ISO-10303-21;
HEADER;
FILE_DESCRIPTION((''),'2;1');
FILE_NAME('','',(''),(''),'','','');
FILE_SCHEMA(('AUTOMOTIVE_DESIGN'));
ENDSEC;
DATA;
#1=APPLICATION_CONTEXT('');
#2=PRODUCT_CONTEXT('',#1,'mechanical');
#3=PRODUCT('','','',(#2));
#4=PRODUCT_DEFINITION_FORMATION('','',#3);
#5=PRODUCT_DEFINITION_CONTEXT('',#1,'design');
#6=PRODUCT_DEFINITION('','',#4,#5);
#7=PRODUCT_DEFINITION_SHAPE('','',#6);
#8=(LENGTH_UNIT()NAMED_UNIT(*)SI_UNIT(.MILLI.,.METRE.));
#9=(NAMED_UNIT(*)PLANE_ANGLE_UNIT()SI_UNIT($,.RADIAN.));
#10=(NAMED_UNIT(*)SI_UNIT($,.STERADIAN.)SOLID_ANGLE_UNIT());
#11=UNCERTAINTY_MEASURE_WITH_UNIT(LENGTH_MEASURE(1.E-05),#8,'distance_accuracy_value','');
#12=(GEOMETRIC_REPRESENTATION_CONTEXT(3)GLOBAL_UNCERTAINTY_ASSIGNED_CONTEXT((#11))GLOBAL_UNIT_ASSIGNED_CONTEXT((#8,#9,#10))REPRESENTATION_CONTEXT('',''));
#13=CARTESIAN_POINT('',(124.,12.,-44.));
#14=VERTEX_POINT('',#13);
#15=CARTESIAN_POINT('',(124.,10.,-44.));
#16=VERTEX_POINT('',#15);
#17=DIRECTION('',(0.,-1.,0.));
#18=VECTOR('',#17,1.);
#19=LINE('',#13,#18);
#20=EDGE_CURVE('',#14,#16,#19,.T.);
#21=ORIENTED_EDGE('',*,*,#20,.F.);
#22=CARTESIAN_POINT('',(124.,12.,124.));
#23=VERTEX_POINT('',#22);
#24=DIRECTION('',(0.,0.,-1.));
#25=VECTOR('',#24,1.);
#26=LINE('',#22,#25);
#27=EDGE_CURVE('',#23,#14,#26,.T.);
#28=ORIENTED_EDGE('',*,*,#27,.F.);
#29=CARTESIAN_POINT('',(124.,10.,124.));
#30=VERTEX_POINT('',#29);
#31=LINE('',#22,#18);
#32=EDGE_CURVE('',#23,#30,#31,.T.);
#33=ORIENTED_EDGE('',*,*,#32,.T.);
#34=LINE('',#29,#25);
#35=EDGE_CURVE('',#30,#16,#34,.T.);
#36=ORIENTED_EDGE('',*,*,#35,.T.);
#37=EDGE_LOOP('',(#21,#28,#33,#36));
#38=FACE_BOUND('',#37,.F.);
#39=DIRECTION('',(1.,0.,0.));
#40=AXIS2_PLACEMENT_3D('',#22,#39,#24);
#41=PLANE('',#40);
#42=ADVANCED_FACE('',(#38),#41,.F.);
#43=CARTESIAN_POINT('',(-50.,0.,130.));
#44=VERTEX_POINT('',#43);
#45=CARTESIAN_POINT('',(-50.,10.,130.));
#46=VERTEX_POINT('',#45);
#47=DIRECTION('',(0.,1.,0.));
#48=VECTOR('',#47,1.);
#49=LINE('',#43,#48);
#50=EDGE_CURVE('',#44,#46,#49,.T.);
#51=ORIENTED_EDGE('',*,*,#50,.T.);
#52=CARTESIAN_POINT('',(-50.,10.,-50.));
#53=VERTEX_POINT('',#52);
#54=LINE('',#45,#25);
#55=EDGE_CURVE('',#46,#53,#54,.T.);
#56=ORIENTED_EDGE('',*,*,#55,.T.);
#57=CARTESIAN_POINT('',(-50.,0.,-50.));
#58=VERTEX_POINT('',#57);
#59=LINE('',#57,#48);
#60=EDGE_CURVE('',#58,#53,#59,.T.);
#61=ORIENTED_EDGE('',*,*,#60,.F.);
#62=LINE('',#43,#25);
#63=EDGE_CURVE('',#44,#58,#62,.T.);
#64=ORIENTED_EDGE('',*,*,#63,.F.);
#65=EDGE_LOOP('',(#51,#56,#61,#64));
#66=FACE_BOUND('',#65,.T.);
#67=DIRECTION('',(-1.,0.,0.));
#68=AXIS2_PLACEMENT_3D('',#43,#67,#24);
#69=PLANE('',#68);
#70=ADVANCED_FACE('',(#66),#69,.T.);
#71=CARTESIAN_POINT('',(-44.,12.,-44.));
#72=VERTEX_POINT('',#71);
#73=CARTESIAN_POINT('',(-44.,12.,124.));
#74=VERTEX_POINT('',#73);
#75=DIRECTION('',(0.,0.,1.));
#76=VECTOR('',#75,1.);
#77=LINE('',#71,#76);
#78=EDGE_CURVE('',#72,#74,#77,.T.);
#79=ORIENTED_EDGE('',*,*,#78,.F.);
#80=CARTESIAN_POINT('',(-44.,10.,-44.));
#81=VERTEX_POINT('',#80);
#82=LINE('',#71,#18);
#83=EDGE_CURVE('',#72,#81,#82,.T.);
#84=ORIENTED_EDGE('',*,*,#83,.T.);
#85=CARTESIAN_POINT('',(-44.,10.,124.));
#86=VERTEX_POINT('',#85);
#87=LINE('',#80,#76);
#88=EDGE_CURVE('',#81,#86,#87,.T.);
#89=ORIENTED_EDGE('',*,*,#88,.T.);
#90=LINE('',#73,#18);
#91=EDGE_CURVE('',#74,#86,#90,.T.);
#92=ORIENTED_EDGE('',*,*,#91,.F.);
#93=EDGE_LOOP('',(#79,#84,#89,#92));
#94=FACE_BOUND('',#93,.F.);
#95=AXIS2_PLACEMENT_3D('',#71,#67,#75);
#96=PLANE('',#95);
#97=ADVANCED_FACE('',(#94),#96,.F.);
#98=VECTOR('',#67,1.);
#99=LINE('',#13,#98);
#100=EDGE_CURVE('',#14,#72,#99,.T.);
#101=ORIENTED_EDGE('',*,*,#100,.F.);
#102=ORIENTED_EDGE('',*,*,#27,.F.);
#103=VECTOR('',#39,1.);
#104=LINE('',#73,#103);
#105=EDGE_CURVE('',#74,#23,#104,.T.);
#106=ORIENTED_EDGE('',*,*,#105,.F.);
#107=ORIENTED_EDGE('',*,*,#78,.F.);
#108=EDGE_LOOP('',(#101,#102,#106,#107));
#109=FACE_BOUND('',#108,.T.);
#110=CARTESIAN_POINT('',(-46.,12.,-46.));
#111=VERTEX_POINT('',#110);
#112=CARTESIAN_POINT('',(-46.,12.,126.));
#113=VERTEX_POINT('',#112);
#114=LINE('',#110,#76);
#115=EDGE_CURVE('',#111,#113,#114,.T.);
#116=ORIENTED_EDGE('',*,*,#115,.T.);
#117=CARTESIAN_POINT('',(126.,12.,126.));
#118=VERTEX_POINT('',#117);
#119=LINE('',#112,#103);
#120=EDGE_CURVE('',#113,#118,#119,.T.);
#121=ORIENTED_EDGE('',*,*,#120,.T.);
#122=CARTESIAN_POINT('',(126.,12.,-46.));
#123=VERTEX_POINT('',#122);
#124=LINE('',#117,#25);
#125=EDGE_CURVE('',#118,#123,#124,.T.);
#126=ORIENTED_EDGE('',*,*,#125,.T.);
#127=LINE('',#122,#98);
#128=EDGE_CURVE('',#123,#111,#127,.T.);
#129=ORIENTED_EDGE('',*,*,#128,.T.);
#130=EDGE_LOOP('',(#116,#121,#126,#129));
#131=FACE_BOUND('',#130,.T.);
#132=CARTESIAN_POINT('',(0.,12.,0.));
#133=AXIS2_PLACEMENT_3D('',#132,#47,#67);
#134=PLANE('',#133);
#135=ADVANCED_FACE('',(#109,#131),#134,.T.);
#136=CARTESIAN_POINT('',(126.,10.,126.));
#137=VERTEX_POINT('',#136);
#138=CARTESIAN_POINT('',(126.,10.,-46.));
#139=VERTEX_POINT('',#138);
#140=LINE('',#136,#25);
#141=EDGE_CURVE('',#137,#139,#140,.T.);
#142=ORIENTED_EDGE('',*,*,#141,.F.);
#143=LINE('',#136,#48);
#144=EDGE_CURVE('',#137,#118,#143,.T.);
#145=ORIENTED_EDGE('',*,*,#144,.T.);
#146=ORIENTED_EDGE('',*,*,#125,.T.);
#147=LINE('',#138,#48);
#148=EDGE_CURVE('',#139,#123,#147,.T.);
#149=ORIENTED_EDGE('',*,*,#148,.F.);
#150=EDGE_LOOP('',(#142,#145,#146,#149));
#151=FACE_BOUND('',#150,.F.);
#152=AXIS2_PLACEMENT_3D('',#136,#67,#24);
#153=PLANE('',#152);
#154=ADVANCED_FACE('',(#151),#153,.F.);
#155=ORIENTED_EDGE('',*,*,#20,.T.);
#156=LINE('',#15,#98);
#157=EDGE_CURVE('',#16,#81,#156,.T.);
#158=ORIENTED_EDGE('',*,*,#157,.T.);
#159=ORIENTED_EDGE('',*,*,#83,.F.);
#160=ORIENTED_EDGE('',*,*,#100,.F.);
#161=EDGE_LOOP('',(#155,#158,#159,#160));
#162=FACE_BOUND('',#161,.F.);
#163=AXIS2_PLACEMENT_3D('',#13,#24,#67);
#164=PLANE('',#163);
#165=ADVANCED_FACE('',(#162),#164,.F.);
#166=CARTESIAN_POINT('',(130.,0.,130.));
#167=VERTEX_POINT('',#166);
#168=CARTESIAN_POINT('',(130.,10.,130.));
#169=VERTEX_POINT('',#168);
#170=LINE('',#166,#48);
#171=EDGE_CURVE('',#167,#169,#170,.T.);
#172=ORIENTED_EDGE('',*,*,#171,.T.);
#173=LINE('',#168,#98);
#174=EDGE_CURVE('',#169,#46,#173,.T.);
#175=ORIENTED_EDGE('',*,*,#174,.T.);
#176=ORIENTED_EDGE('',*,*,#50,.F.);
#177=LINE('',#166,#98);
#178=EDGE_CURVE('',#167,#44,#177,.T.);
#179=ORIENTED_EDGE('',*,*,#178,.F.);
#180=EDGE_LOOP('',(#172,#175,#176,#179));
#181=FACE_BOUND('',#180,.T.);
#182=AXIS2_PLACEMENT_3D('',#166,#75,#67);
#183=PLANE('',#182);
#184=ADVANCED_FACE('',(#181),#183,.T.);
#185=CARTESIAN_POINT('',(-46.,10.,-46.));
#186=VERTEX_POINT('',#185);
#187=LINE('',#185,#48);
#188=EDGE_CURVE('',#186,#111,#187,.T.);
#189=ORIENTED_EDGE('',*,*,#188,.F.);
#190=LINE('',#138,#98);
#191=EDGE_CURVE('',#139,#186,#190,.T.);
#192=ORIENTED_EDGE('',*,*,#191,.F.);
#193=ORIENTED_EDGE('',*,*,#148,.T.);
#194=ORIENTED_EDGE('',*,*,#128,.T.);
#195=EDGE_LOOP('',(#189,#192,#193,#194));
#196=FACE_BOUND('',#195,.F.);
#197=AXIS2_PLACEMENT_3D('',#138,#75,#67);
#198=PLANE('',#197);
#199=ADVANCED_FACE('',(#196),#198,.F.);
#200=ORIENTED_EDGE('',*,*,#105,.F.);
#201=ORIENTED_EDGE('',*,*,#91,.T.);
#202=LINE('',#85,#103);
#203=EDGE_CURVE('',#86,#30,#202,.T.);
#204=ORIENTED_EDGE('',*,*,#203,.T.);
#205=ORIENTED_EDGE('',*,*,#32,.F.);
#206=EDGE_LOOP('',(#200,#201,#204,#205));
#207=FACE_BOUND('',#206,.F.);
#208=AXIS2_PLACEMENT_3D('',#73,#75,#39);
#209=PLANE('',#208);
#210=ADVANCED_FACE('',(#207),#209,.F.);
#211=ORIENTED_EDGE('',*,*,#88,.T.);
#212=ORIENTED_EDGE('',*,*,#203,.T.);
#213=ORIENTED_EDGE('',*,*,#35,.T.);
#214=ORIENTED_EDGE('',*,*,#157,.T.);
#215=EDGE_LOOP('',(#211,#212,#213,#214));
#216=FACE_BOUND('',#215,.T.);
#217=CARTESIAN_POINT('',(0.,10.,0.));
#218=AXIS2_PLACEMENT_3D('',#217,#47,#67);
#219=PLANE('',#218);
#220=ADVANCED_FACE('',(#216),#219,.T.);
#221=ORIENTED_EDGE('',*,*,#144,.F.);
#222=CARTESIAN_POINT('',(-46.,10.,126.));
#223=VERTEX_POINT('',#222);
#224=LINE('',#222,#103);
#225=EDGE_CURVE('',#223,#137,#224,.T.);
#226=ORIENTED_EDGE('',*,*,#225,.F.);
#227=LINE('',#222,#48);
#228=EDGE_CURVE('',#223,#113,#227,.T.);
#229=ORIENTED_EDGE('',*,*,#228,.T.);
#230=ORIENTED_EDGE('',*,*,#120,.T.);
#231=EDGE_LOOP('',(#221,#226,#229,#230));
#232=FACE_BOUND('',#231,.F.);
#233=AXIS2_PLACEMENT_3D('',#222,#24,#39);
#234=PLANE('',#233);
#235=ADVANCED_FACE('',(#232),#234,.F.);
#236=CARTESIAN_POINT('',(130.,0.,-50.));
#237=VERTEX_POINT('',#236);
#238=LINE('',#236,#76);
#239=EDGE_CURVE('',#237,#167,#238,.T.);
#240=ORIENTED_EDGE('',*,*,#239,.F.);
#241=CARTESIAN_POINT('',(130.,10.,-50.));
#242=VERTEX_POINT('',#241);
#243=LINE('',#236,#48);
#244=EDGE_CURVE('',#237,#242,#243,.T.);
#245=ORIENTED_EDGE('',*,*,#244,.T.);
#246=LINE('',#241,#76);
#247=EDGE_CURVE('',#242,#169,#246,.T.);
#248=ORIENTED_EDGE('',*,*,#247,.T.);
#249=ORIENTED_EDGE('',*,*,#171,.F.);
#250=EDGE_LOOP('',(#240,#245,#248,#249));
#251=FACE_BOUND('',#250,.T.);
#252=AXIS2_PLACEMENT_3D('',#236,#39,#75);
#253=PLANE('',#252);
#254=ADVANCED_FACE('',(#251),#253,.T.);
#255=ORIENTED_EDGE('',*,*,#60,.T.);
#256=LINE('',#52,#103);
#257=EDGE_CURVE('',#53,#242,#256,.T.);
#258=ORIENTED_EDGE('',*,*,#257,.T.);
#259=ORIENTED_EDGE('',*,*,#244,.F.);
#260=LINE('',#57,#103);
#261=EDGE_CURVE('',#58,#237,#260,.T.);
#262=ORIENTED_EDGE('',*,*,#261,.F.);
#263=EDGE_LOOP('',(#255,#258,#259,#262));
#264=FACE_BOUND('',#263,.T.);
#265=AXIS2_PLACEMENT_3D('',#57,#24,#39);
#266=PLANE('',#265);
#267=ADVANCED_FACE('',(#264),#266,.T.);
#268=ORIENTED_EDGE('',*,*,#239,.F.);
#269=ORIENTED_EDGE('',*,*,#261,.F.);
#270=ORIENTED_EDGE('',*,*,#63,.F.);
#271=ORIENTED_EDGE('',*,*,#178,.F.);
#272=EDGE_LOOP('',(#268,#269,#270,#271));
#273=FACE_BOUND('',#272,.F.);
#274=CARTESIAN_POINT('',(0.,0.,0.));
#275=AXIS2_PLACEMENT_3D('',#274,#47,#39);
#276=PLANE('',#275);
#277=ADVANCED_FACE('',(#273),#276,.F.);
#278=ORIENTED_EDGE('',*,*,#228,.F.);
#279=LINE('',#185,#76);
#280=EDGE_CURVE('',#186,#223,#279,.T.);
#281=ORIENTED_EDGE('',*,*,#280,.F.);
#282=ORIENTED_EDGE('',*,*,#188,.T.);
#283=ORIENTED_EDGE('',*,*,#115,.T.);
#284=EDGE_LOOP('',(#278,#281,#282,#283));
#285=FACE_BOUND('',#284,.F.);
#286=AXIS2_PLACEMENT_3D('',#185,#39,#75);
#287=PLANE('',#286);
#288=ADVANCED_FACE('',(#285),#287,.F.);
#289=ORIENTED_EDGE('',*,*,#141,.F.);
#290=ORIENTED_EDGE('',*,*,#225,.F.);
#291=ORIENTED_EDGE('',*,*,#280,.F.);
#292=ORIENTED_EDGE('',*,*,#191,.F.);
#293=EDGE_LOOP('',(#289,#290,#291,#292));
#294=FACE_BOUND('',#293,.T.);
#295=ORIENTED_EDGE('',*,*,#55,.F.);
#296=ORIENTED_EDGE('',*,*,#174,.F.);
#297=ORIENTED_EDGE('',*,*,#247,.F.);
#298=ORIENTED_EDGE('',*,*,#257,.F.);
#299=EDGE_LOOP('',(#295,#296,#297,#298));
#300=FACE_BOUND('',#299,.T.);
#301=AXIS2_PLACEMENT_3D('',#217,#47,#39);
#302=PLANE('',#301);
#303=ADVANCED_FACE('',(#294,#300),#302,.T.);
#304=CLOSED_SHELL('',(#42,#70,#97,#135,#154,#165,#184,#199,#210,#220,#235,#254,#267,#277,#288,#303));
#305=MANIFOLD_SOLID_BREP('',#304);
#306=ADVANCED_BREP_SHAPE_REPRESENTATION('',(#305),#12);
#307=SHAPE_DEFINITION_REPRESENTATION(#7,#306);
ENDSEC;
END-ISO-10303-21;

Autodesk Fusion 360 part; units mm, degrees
sketch "Sketch1" plane through (0, 0, 0) normal (0, 1, 0) x (1, 0, 0)
  line L0 (-50, 50) -> (130, 50)
  line L1 (130, 50) -> (130, -130)
  line L2 (130, -130) -> (-50, -130)
  line L3 (-50, -130) -> (-50, 50)
  dimension "d1" = 180
  dimension "d2" = 180
extrude "Extrude1" add sketch "Sketch1" along normal blind 10
sketch "Sketch2" plane through (0, 10, 0) normal (0, 1, 0) x (-1, 0, 0)
  line L0 (50, 130) -> (-130, 130)
  line L1 (-130, 130) -> (-130, -50)
  line L2 (-130, -50) -> (50, -50)
  line L3 (50, -50) -> (50, 130)
  line L4 (46, 126) -> (-126, 126)
  line L5 (-126, 126) -> (-126, -46)
  line L6 (-126, -46) -> (46, -46)
  line L7 (46, -46) -> (46, 126)
  dimension "d5" = 172
  dimension "d6" = 172
extrude "Extrude2" add sketch "Sketch2" along normal blind 2 contours L4 L5 L6 L7
sketch "Sketch3" plane through (0, 12, 0) normal (0, 1, 0) x (-1, 0, 0)
  line L0 (46, -46) -> (46, 126)
  line L1 (46, 126) -> (-126, 126)
  line L2 (-126, 126) -> (-126, -46)
  line L3 (-126, -46) -> (46, -46)
  line L4 (44, 124) -> (-124, 124)
  line L5 (-124, 124) -> (-124, -44)
  line L6 (-124, -44) -> (44, -44)
  line L7 (44, -44) -> (44, 124)
extrude "Extrude3" cut sketch "Sketch3" against normal blind 2 contours L4 L5 L6 L7
